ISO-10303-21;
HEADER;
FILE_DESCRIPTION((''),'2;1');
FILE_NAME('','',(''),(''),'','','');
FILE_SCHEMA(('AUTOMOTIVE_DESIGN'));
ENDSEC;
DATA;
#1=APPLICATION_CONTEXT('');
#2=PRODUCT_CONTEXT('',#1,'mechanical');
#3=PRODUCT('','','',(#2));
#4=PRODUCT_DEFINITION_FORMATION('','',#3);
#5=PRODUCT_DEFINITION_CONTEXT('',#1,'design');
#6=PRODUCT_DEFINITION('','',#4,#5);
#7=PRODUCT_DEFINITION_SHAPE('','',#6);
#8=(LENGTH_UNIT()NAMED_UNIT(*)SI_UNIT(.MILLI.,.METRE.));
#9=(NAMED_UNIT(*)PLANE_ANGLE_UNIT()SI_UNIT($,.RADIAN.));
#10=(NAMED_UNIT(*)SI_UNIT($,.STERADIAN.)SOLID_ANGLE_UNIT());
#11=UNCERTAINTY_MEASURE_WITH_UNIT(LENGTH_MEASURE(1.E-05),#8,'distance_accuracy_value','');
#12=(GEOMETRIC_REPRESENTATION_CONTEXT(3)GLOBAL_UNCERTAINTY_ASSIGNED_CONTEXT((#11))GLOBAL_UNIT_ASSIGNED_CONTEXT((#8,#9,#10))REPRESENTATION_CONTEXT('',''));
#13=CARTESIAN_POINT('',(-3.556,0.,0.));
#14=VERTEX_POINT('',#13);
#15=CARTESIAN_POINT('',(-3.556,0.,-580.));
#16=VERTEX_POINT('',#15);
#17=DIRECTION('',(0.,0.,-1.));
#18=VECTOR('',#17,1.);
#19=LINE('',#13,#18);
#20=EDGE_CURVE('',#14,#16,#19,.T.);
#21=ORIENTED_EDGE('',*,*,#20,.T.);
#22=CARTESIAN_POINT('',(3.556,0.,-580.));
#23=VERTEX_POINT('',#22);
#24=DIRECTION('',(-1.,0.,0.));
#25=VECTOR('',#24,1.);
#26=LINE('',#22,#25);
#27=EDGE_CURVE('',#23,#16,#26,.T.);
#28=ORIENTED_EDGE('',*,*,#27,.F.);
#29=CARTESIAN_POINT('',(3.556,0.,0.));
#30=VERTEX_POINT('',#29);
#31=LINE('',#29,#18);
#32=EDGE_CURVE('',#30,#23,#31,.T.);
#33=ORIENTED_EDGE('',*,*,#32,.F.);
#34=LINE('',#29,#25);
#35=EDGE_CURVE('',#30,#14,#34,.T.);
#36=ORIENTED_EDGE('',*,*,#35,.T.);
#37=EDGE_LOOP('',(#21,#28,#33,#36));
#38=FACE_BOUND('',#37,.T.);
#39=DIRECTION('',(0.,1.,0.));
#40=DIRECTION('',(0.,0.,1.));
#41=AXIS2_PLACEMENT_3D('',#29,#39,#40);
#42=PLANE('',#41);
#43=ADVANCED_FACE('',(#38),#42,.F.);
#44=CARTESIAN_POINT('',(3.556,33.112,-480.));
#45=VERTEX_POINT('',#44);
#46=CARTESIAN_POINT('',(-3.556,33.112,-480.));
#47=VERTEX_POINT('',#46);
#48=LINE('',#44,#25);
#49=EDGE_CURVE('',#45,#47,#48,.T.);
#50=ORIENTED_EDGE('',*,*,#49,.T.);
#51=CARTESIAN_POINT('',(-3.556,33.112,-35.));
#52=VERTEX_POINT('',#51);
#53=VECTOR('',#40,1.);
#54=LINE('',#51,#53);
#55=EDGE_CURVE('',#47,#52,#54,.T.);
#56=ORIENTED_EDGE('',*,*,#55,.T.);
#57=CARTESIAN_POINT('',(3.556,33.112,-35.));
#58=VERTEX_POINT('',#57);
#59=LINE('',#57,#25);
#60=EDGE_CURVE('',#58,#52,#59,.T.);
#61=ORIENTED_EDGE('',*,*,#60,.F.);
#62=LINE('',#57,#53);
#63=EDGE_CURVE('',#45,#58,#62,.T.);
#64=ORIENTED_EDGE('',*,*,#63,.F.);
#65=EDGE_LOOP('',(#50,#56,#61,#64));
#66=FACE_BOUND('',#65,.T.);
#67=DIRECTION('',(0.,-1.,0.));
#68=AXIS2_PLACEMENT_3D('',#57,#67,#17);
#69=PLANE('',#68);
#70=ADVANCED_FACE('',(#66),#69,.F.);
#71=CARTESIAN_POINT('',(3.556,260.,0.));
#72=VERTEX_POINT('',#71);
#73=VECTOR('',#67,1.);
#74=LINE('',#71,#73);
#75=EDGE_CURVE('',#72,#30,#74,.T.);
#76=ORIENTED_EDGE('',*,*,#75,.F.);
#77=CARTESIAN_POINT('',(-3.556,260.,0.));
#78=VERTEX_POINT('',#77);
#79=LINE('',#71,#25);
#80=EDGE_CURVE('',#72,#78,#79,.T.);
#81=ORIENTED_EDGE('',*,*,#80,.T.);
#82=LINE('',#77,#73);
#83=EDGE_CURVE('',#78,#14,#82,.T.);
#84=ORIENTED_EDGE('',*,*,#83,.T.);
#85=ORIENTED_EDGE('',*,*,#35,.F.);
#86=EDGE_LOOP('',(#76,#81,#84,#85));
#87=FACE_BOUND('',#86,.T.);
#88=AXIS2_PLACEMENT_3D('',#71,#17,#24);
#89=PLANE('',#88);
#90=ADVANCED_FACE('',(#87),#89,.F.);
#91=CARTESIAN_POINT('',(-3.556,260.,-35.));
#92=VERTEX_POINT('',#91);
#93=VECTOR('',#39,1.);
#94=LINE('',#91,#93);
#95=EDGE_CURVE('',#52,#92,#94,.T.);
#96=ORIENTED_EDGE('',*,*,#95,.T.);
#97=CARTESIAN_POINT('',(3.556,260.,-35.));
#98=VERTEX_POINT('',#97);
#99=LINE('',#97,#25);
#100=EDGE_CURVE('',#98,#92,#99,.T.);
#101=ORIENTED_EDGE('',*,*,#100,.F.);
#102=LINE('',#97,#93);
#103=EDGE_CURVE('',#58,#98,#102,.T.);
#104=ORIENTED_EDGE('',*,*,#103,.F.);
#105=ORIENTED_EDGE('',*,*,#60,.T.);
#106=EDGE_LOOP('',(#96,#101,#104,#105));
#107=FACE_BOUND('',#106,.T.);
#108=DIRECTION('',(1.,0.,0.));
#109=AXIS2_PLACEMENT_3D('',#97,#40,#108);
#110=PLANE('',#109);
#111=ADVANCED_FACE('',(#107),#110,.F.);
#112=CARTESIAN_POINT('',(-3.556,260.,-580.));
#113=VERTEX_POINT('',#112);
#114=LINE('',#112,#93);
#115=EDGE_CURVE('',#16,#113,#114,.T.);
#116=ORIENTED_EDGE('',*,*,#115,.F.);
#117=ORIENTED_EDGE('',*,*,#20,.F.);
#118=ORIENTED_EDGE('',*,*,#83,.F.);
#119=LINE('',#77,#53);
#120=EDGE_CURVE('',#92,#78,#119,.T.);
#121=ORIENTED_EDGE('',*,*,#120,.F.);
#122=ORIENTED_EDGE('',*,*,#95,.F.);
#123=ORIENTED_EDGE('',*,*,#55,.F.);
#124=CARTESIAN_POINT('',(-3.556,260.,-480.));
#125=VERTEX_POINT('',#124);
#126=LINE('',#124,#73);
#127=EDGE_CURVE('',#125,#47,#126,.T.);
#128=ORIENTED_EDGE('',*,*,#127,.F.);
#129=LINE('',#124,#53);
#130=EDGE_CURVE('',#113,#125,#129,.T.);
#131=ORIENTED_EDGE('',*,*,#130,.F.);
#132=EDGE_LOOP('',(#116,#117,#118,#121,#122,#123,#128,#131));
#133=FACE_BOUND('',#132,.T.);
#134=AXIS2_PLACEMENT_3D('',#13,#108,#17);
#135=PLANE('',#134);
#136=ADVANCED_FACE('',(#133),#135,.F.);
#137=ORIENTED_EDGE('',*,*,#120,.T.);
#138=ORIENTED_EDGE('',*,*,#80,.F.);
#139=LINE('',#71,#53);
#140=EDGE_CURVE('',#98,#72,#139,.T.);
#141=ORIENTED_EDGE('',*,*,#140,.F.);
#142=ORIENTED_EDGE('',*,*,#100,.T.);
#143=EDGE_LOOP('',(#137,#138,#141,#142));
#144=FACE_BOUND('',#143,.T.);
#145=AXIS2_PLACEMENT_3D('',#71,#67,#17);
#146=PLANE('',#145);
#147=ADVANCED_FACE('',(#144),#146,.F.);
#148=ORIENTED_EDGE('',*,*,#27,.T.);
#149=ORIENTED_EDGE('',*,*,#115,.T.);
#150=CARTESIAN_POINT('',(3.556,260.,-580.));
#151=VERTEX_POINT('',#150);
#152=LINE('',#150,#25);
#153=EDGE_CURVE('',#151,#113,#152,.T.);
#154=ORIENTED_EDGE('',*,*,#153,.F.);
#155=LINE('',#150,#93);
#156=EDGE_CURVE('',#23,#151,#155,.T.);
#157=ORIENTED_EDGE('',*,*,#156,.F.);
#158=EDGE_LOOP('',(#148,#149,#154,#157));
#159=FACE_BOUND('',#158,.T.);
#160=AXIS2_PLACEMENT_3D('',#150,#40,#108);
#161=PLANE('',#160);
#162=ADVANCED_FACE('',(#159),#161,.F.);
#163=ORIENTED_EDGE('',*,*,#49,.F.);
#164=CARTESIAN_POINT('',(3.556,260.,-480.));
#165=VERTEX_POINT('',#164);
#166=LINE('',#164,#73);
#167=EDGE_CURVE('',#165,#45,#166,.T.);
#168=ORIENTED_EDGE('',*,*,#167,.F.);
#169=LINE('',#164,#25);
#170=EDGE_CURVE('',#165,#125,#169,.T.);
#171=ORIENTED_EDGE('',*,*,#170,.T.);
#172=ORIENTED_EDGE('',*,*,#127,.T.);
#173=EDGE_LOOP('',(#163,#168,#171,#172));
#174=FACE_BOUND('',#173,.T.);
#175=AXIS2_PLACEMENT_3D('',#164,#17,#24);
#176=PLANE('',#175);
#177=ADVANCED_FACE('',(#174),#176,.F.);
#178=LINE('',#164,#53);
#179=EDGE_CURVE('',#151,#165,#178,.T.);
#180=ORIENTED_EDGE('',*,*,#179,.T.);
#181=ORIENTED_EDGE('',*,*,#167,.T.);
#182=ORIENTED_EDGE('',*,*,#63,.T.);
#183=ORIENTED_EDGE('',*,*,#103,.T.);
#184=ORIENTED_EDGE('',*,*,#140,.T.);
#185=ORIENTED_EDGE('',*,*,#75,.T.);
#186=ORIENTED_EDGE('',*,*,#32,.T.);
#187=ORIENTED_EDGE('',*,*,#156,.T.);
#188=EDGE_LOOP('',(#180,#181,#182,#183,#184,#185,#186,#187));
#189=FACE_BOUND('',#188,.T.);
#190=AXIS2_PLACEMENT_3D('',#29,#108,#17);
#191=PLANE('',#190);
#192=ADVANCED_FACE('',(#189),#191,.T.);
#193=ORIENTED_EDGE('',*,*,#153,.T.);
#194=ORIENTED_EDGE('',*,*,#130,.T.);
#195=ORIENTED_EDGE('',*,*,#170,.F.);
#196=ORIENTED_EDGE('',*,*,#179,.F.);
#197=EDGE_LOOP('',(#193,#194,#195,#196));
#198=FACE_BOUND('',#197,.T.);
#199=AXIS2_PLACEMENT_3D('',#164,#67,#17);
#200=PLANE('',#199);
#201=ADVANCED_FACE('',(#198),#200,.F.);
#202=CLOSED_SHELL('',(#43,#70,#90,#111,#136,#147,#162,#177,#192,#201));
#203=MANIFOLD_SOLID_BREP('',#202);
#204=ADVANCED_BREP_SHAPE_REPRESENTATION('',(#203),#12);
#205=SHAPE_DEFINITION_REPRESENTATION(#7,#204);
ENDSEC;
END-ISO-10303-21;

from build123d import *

# Parameters (mm, degrees)
BOSS_EXTRUDE1_DEPTH = 3.556


with BuildPart() as part:
    # Sketch1 → Boss-Extrude1 (new, symmetric)
    with BuildSketch(Plane(origin=(0, 0, 0), x_dir=(0, 0, 1), z_dir=(1, 0, 0))):
        Polygon((-480, -260), (-580, -260), (-580, 0), (0, 0), (0, -260), (-35, -260), (-35, -33.112), (-480, -33.112), align=None)
    extrude(amount=BOSS_EXTRUDE1_DEPTH, both=True)


solid = part.part
